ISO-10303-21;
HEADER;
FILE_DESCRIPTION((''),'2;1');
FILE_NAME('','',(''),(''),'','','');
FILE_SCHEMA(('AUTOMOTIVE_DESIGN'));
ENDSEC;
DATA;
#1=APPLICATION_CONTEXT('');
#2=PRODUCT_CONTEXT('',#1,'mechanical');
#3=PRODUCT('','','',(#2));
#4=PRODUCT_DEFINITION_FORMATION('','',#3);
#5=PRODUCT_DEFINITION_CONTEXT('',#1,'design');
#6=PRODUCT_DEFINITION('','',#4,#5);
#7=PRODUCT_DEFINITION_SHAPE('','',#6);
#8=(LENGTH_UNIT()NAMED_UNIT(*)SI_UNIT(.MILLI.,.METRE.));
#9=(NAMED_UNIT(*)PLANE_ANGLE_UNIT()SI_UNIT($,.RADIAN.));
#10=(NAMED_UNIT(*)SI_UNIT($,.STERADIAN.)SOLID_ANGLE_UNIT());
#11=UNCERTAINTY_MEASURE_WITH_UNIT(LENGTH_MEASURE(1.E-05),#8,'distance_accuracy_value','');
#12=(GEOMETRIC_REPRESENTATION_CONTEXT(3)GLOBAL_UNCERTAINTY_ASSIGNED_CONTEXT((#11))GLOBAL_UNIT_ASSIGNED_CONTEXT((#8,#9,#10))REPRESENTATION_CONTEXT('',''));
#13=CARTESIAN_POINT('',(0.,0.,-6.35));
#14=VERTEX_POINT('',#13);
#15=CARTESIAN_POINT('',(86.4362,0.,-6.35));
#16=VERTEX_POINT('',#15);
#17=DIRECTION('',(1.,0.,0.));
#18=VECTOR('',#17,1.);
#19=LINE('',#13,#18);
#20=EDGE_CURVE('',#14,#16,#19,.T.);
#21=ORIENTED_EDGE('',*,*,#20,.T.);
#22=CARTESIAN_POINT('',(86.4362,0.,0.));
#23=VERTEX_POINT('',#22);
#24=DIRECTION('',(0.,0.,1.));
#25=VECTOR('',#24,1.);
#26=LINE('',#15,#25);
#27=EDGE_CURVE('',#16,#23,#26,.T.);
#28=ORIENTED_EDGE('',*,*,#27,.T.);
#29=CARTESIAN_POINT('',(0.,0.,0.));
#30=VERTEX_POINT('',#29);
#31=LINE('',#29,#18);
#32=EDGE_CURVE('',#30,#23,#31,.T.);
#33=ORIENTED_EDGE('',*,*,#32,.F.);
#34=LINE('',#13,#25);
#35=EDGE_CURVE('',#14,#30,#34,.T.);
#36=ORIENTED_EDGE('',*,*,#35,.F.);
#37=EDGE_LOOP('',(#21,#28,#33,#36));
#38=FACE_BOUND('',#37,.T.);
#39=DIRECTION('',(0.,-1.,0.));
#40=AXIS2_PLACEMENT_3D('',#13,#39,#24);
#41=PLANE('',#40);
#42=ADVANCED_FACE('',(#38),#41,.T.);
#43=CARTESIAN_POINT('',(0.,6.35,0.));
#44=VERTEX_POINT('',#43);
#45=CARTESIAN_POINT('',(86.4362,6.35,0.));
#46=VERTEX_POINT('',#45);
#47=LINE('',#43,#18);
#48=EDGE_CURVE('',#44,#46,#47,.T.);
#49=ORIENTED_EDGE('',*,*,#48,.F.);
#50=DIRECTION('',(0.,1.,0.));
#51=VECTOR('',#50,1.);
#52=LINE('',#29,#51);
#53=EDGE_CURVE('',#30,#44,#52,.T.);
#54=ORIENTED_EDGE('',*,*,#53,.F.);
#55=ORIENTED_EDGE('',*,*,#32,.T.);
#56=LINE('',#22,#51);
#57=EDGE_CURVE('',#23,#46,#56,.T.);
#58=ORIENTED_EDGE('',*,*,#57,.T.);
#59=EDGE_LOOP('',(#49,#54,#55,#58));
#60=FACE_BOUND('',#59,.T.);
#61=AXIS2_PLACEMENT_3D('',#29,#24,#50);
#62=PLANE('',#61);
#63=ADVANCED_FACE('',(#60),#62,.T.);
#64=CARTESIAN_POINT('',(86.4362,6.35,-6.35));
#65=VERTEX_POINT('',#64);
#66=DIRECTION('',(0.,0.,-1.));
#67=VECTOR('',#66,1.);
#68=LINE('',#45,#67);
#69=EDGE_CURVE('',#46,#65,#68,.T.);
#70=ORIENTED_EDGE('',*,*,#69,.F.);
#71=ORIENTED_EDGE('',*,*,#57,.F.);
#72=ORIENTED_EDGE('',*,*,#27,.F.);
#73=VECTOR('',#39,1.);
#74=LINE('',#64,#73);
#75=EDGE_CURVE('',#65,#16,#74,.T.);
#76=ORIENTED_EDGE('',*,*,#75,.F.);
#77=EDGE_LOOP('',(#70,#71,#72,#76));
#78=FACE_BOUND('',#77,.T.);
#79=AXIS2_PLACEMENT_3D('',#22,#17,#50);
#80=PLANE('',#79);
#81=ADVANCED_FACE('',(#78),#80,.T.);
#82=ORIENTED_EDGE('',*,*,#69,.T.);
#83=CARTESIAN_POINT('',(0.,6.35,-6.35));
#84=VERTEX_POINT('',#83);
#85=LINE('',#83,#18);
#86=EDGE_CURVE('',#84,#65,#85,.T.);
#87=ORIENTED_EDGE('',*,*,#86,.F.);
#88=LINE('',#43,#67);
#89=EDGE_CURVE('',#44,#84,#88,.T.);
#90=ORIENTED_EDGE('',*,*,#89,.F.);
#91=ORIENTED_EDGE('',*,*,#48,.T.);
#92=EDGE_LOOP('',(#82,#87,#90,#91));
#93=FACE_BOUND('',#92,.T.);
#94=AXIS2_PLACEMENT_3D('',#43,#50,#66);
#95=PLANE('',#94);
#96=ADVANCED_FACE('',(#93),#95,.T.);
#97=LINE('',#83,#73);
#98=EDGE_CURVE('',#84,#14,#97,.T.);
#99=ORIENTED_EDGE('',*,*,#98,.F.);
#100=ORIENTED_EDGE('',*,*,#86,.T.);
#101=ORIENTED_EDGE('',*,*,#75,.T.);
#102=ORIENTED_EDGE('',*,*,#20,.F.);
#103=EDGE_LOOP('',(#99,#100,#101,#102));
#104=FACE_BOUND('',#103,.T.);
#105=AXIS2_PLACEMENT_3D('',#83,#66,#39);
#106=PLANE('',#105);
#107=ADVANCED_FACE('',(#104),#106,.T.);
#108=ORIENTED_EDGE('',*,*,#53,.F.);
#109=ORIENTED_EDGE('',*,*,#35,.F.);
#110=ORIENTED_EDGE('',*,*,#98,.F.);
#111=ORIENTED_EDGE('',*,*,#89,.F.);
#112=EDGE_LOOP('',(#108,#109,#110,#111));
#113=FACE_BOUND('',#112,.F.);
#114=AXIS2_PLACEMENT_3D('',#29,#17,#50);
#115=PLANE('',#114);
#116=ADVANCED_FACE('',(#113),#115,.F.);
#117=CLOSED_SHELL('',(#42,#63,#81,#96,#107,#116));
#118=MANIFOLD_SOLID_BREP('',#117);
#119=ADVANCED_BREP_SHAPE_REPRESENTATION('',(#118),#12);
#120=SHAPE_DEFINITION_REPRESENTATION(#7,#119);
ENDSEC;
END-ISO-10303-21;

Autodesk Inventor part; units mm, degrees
ref_plane "YZ Plane" through (0, 0, 0) normal (1, 0, 0) x (0, 1, 0)
ref_plane "XZ Plane" through (0, 0, 0) normal (0, 1, 0) x (-1, 0, 0)
ref_plane "XY Plane" through (0, 0, 0) normal (0, 0, 1) x (1, 0, 0)
sketch "Sketch1" plane through (0, 0, 0) normal (1, 0, 0) x (0, 1, 0)
  line L0 (0, 0) -> (6.35, 0)
  line L1 (6.35, 0) -> (6.35, -6.35)
  line L2 (6.35, -6.35) -> (0, -6.35)
  line L3 (0, -6.35) -> (0, 0)
  dimension "d0" = 6.35
  dimension "d1" = 6.35
extrude "Extrusion1" add sketch "Sketch1" along normal blind 86.4362
properties part number "Steelbar" material "Steel, Alloy"
